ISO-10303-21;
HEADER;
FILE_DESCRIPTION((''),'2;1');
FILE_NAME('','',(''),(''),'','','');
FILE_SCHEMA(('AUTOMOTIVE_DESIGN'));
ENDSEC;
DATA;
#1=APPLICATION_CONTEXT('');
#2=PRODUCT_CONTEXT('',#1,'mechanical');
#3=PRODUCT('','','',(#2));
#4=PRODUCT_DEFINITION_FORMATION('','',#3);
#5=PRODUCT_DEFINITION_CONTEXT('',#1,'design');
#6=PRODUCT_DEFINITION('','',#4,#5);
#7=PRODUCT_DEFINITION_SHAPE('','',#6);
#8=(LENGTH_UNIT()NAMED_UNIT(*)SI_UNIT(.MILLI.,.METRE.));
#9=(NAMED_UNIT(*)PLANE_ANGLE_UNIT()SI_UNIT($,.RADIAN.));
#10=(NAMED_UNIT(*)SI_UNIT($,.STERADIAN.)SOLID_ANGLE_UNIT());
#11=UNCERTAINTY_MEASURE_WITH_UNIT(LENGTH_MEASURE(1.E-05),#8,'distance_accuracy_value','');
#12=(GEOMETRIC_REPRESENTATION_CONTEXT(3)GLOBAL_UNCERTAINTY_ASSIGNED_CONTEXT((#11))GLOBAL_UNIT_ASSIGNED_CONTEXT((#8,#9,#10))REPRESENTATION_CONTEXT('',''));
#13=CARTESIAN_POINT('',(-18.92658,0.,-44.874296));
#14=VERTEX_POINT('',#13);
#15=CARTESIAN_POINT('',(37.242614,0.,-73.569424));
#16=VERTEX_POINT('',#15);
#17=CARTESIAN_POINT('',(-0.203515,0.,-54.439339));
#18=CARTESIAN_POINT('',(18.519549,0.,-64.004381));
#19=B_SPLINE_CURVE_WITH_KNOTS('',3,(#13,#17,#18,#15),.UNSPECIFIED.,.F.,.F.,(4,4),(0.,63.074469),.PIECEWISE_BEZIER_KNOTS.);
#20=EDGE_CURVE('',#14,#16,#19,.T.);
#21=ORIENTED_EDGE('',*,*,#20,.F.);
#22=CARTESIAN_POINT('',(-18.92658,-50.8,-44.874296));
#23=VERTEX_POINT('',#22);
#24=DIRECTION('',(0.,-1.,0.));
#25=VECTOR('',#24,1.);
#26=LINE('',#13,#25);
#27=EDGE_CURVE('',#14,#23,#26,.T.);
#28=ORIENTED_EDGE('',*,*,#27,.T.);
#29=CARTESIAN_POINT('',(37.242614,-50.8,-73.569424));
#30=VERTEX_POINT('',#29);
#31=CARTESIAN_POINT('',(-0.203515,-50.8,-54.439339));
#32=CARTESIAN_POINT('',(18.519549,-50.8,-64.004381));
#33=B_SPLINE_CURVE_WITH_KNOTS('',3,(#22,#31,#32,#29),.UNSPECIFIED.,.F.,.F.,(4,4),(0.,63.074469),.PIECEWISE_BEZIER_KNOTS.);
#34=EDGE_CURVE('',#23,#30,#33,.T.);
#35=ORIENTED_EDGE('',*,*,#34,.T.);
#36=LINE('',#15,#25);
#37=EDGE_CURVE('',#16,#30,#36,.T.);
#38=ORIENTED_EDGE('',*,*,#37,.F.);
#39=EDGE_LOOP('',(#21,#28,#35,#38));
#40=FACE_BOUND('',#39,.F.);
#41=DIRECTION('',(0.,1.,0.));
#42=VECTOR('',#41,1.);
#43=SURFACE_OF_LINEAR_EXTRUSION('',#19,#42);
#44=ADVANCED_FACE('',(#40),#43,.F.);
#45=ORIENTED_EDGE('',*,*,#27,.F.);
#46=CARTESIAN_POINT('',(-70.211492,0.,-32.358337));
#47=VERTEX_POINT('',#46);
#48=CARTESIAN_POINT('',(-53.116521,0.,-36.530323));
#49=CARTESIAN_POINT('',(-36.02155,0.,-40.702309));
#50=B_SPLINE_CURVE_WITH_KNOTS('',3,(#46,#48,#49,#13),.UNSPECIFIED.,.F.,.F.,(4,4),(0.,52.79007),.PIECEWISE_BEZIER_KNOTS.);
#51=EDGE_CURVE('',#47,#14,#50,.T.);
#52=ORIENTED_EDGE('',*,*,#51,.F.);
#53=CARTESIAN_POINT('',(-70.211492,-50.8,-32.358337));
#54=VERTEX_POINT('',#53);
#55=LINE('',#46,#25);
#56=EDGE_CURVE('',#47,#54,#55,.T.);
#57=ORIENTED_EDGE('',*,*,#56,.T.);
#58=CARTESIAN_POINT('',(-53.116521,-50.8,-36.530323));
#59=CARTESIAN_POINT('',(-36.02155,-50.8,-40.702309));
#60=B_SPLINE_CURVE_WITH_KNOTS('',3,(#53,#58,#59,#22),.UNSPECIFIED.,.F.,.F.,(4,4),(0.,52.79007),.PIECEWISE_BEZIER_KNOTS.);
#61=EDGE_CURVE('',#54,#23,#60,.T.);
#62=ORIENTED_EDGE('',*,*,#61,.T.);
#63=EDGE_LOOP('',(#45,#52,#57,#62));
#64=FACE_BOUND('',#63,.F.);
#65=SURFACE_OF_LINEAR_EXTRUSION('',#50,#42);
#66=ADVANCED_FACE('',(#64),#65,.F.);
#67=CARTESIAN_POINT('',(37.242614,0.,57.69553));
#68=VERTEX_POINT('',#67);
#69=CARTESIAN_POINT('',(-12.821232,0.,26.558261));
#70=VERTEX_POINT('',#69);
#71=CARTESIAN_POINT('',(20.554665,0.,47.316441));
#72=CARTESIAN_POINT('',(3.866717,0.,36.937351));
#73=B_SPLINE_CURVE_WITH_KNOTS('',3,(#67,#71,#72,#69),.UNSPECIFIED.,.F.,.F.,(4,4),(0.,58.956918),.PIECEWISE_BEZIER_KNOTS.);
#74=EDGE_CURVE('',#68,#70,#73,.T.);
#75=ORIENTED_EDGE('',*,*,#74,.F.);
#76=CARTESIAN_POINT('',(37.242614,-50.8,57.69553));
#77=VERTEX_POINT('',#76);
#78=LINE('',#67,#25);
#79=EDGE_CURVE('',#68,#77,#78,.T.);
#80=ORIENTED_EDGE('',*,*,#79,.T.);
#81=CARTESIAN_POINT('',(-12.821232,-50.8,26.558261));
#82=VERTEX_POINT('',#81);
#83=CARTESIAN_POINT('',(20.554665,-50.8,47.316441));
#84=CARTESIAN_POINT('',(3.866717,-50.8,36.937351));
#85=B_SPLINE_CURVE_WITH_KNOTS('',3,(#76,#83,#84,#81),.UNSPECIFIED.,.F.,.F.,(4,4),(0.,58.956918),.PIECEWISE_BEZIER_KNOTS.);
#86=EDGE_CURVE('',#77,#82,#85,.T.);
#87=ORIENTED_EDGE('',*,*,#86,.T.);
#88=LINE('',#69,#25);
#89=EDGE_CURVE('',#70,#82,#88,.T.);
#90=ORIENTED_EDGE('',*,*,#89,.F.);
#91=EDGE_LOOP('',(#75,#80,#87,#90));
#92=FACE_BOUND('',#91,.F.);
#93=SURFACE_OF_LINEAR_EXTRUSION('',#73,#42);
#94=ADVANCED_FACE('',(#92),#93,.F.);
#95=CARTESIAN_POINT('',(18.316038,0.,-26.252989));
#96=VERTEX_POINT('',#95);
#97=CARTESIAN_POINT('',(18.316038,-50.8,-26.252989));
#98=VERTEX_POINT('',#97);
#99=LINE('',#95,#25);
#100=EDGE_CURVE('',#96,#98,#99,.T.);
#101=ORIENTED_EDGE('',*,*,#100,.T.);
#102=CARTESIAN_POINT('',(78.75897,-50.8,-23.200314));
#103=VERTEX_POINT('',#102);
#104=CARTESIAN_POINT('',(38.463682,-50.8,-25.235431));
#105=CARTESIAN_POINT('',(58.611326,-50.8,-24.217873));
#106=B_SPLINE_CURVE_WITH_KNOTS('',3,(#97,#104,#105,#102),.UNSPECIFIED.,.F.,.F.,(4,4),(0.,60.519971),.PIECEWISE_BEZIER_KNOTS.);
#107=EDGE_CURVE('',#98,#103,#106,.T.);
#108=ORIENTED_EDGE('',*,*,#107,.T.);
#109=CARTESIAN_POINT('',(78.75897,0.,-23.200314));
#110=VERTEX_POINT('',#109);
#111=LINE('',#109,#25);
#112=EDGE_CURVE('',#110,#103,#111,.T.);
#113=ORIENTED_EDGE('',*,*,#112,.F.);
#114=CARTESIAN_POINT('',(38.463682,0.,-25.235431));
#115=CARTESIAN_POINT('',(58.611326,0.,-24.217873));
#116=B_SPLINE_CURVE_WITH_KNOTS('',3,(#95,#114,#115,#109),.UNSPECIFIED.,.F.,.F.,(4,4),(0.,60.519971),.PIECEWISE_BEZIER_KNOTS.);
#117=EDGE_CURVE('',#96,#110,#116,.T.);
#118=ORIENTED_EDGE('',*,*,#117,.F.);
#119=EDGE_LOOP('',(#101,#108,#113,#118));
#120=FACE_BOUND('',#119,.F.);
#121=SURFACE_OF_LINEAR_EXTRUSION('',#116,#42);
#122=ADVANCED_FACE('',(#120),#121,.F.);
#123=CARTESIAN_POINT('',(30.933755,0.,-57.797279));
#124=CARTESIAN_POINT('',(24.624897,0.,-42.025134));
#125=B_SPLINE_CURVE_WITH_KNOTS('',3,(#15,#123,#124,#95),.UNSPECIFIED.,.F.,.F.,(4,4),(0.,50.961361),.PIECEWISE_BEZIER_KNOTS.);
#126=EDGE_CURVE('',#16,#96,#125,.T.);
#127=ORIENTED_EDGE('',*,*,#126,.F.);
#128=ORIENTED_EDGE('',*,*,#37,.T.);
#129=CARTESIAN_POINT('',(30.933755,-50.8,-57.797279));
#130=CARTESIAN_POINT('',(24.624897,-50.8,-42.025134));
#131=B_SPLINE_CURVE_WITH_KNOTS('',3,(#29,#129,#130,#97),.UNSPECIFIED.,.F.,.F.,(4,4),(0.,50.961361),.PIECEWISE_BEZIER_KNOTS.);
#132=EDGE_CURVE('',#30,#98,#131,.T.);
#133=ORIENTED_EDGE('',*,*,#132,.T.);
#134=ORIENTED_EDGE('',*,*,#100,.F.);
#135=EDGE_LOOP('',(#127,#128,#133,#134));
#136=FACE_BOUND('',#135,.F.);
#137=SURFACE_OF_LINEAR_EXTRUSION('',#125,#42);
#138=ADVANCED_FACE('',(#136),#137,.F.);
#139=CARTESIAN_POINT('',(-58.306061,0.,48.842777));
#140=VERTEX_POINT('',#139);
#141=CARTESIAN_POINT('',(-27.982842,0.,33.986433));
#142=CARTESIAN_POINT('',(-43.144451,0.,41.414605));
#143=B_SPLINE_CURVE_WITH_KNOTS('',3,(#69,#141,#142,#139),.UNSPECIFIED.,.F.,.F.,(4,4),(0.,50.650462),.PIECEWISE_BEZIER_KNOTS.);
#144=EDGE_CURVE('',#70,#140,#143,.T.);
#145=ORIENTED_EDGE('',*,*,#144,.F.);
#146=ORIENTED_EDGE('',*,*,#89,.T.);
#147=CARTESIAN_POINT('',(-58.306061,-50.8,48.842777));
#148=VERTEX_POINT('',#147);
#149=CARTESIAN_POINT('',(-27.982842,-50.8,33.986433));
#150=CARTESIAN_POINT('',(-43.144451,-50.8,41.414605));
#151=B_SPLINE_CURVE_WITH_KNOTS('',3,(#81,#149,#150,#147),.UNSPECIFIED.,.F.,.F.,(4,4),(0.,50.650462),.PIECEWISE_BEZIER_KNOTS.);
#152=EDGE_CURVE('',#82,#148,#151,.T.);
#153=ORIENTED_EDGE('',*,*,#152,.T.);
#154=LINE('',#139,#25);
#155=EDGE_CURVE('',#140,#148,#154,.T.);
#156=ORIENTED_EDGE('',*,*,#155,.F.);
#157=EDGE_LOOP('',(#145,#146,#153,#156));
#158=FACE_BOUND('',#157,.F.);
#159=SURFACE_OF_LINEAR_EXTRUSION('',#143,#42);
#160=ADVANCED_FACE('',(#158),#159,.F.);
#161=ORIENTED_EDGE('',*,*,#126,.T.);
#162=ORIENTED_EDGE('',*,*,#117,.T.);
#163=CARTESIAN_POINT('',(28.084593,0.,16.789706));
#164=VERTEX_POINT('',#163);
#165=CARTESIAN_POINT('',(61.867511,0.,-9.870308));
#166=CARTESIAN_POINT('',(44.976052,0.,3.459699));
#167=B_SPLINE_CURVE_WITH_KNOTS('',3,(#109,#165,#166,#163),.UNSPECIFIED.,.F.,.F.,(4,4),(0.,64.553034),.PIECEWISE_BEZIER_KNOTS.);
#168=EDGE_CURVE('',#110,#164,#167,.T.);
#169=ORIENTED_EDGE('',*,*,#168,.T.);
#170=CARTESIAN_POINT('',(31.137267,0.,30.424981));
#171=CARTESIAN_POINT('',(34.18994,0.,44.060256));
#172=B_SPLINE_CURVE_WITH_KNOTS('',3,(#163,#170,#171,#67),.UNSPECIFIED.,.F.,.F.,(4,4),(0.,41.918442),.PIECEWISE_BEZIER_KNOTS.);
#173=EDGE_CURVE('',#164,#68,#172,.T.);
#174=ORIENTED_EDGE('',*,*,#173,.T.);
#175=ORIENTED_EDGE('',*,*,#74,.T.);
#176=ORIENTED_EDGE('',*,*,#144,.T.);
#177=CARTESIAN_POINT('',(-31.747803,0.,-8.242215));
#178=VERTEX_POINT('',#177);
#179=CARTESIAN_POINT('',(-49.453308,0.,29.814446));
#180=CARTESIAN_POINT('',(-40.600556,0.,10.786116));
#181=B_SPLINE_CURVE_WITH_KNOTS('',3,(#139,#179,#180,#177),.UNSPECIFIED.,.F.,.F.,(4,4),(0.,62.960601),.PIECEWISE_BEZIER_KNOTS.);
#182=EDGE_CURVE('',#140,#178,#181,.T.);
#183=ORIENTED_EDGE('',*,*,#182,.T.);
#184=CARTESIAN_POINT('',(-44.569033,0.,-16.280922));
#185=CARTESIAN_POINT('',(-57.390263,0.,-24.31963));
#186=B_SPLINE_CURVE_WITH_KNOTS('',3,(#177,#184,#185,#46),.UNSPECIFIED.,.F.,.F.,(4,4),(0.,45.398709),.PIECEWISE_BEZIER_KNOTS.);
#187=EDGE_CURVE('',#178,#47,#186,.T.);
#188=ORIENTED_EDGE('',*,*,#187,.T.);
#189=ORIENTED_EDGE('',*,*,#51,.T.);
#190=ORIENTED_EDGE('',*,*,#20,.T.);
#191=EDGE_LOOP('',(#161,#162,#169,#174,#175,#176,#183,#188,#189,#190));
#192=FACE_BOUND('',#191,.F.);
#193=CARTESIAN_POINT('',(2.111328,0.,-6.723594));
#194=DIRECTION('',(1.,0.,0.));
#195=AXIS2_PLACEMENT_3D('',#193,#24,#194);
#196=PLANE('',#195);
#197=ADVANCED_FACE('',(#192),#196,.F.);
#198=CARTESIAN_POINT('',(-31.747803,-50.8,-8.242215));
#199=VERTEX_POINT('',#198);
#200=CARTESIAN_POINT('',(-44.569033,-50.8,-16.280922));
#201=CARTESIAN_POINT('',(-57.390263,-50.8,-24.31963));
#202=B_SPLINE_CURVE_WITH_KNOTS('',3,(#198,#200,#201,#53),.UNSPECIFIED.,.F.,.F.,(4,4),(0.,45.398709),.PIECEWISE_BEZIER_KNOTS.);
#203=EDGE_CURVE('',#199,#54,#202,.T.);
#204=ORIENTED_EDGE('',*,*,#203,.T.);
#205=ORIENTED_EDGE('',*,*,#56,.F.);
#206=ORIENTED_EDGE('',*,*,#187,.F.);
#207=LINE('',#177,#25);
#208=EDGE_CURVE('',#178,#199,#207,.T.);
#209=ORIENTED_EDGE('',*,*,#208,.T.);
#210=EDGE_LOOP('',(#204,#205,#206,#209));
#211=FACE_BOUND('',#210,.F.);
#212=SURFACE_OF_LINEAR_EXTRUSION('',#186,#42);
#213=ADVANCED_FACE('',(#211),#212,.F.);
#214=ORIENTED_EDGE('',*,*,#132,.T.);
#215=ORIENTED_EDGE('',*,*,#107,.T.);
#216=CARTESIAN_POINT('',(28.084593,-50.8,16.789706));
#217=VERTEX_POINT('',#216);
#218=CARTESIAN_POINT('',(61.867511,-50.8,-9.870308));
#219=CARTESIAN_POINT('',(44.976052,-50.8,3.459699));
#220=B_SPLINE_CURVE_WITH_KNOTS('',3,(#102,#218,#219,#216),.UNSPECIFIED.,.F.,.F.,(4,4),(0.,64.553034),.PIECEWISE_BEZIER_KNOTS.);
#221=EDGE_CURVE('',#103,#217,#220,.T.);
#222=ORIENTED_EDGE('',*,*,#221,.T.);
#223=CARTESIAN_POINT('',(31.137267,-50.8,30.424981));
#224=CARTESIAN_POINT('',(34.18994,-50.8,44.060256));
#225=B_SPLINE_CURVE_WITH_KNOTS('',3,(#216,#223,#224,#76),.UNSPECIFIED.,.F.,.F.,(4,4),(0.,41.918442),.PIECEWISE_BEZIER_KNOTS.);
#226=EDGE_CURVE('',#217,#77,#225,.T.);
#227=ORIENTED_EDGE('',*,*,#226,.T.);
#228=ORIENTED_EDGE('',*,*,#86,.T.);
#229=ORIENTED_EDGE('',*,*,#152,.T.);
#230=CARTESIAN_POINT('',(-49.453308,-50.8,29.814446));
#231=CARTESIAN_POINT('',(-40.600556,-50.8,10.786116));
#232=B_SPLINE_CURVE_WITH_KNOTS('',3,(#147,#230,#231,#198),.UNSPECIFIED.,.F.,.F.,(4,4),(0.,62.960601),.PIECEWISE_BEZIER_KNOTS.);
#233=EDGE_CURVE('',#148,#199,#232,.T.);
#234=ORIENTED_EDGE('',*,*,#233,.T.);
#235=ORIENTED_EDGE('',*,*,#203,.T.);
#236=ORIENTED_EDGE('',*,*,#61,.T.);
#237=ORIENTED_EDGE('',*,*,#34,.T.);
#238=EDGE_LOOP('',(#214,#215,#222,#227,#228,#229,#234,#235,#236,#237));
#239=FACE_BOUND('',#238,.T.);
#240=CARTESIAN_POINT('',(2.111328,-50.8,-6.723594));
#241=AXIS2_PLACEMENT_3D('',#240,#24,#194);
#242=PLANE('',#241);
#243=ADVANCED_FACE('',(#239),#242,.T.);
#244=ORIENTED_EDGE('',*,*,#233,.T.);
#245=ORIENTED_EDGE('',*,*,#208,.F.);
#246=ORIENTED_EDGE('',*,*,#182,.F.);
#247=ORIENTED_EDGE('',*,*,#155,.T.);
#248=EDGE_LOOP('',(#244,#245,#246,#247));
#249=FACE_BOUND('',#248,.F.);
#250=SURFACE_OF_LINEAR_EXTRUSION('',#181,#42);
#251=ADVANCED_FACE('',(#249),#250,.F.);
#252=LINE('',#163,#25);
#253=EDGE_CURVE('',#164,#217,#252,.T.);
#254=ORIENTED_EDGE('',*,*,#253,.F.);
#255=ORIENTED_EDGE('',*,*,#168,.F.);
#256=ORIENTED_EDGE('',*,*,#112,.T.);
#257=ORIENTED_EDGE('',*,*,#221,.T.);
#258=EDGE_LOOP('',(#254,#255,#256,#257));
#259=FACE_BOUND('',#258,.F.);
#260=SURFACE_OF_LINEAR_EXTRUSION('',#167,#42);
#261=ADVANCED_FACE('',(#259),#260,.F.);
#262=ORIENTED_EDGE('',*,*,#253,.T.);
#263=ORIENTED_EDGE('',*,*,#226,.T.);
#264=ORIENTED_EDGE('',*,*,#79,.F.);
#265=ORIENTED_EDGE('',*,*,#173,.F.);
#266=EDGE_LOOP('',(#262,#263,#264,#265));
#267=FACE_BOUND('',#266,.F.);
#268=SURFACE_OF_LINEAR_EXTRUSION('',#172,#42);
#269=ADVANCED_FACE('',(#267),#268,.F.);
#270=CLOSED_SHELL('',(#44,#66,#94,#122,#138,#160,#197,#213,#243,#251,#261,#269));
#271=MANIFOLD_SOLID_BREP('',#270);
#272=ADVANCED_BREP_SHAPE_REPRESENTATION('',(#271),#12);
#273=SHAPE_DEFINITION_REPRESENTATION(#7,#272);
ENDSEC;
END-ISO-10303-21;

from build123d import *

# Parameters (mm, degrees)
F1_DEPTH = 50.8


with BuildPart() as f1:
    # F0 (on Front) → F1 (new body)
    with BuildSketch(Plane.XZ):
        with BuildLine():
            add(Edge.make_bspline(
                [(78.75897, -23.200314), (61.867511, -9.870308), (44.976052, 3.459699), (28.084593, 16.789706)],
                knots=[0, 0, 0, 0, 64.553034, 64.553034, 64.553034, 64.553034], degree=3))
            add(Edge.make_bspline(
                [(28.084593, 16.789706), (31.137267, 30.424981), (34.18994, 44.060256), (37.242614, 57.69553)],
                knots=[0, 0, 0, 0, 41.918442, 41.918442, 41.918442, 41.918442], degree=3))
            add(Edge.make_bspline(
                [(37.242614, 57.69553), (20.554665, 47.316441), (3.866717, 36.937351), (-12.821232, 26.558261)],
                knots=[0, 0, 0, 0, 58.956918, 58.956918, 58.956918, 58.956918], degree=3))
            add(Edge.make_bspline(
                [(-12.821232, 26.558261), (-27.982842, 33.986433), (-43.144451, 41.414605), (-58.306061, 48.842777)],
                knots=[0, 0, 0, 0, 50.650462, 50.650462, 50.650462, 50.650462], degree=3))
            add(Edge.make_bspline(
                [(-58.306061, 48.842777), (-49.453308, 29.814446), (-40.600556, 10.786116), (-31.747803, -8.242215)],
                knots=[0, 0, 0, 0, 62.960601, 62.960601, 62.960601, 62.960601], degree=3))
            add(Edge.make_bspline(
                [(-31.747803, -8.242215), (-44.569033, -16.280922), (-57.390263, -24.31963), (-70.211492, -32.358337)],
                knots=[0, 0, 0, 0, 45.398709, 45.398709, 45.398709, 45.398709], degree=3))
            add(Edge.make_bspline(
                [(-70.211492, -32.358337), (-53.116521, -36.530323), (-36.02155, -40.702309), (-18.92658, -44.874296)],
                knots=[0, 0, 0, 0, 52.79007, 52.79007, 52.79007, 52.79007], degree=3))
            add(Edge.make_bspline(
                [(-18.92658, -44.874296), (-0.203515, -54.439339), (18.519549, -64.004381), (37.242614, -73.569424)],
                knots=[0, 0, 0, 0, 63.074469, 63.074469, 63.074469, 63.074469], degree=3))
            add(Edge.make_bspline(
                [(37.242614, -73.569424), (30.933755, -57.797279), (24.624897, -42.025134), (18.316038, -26.252989)],
                knots=[0, 0, 0, 0, 50.961361, 50.961361, 50.961361, 50.961361], degree=3))
            add(Edge.make_bspline(
                [(18.316038, -26.252989), (38.463682, -25.235431), (58.611326, -24.217873), (78.75897, -23.200314)],
                knots=[0, 0, 0, 0, 60.519971, 60.519971, 60.519971, 60.519971], degree=3))
        make_face()
    extrude(amount=F1_DEPTH)


solid = f1.part
